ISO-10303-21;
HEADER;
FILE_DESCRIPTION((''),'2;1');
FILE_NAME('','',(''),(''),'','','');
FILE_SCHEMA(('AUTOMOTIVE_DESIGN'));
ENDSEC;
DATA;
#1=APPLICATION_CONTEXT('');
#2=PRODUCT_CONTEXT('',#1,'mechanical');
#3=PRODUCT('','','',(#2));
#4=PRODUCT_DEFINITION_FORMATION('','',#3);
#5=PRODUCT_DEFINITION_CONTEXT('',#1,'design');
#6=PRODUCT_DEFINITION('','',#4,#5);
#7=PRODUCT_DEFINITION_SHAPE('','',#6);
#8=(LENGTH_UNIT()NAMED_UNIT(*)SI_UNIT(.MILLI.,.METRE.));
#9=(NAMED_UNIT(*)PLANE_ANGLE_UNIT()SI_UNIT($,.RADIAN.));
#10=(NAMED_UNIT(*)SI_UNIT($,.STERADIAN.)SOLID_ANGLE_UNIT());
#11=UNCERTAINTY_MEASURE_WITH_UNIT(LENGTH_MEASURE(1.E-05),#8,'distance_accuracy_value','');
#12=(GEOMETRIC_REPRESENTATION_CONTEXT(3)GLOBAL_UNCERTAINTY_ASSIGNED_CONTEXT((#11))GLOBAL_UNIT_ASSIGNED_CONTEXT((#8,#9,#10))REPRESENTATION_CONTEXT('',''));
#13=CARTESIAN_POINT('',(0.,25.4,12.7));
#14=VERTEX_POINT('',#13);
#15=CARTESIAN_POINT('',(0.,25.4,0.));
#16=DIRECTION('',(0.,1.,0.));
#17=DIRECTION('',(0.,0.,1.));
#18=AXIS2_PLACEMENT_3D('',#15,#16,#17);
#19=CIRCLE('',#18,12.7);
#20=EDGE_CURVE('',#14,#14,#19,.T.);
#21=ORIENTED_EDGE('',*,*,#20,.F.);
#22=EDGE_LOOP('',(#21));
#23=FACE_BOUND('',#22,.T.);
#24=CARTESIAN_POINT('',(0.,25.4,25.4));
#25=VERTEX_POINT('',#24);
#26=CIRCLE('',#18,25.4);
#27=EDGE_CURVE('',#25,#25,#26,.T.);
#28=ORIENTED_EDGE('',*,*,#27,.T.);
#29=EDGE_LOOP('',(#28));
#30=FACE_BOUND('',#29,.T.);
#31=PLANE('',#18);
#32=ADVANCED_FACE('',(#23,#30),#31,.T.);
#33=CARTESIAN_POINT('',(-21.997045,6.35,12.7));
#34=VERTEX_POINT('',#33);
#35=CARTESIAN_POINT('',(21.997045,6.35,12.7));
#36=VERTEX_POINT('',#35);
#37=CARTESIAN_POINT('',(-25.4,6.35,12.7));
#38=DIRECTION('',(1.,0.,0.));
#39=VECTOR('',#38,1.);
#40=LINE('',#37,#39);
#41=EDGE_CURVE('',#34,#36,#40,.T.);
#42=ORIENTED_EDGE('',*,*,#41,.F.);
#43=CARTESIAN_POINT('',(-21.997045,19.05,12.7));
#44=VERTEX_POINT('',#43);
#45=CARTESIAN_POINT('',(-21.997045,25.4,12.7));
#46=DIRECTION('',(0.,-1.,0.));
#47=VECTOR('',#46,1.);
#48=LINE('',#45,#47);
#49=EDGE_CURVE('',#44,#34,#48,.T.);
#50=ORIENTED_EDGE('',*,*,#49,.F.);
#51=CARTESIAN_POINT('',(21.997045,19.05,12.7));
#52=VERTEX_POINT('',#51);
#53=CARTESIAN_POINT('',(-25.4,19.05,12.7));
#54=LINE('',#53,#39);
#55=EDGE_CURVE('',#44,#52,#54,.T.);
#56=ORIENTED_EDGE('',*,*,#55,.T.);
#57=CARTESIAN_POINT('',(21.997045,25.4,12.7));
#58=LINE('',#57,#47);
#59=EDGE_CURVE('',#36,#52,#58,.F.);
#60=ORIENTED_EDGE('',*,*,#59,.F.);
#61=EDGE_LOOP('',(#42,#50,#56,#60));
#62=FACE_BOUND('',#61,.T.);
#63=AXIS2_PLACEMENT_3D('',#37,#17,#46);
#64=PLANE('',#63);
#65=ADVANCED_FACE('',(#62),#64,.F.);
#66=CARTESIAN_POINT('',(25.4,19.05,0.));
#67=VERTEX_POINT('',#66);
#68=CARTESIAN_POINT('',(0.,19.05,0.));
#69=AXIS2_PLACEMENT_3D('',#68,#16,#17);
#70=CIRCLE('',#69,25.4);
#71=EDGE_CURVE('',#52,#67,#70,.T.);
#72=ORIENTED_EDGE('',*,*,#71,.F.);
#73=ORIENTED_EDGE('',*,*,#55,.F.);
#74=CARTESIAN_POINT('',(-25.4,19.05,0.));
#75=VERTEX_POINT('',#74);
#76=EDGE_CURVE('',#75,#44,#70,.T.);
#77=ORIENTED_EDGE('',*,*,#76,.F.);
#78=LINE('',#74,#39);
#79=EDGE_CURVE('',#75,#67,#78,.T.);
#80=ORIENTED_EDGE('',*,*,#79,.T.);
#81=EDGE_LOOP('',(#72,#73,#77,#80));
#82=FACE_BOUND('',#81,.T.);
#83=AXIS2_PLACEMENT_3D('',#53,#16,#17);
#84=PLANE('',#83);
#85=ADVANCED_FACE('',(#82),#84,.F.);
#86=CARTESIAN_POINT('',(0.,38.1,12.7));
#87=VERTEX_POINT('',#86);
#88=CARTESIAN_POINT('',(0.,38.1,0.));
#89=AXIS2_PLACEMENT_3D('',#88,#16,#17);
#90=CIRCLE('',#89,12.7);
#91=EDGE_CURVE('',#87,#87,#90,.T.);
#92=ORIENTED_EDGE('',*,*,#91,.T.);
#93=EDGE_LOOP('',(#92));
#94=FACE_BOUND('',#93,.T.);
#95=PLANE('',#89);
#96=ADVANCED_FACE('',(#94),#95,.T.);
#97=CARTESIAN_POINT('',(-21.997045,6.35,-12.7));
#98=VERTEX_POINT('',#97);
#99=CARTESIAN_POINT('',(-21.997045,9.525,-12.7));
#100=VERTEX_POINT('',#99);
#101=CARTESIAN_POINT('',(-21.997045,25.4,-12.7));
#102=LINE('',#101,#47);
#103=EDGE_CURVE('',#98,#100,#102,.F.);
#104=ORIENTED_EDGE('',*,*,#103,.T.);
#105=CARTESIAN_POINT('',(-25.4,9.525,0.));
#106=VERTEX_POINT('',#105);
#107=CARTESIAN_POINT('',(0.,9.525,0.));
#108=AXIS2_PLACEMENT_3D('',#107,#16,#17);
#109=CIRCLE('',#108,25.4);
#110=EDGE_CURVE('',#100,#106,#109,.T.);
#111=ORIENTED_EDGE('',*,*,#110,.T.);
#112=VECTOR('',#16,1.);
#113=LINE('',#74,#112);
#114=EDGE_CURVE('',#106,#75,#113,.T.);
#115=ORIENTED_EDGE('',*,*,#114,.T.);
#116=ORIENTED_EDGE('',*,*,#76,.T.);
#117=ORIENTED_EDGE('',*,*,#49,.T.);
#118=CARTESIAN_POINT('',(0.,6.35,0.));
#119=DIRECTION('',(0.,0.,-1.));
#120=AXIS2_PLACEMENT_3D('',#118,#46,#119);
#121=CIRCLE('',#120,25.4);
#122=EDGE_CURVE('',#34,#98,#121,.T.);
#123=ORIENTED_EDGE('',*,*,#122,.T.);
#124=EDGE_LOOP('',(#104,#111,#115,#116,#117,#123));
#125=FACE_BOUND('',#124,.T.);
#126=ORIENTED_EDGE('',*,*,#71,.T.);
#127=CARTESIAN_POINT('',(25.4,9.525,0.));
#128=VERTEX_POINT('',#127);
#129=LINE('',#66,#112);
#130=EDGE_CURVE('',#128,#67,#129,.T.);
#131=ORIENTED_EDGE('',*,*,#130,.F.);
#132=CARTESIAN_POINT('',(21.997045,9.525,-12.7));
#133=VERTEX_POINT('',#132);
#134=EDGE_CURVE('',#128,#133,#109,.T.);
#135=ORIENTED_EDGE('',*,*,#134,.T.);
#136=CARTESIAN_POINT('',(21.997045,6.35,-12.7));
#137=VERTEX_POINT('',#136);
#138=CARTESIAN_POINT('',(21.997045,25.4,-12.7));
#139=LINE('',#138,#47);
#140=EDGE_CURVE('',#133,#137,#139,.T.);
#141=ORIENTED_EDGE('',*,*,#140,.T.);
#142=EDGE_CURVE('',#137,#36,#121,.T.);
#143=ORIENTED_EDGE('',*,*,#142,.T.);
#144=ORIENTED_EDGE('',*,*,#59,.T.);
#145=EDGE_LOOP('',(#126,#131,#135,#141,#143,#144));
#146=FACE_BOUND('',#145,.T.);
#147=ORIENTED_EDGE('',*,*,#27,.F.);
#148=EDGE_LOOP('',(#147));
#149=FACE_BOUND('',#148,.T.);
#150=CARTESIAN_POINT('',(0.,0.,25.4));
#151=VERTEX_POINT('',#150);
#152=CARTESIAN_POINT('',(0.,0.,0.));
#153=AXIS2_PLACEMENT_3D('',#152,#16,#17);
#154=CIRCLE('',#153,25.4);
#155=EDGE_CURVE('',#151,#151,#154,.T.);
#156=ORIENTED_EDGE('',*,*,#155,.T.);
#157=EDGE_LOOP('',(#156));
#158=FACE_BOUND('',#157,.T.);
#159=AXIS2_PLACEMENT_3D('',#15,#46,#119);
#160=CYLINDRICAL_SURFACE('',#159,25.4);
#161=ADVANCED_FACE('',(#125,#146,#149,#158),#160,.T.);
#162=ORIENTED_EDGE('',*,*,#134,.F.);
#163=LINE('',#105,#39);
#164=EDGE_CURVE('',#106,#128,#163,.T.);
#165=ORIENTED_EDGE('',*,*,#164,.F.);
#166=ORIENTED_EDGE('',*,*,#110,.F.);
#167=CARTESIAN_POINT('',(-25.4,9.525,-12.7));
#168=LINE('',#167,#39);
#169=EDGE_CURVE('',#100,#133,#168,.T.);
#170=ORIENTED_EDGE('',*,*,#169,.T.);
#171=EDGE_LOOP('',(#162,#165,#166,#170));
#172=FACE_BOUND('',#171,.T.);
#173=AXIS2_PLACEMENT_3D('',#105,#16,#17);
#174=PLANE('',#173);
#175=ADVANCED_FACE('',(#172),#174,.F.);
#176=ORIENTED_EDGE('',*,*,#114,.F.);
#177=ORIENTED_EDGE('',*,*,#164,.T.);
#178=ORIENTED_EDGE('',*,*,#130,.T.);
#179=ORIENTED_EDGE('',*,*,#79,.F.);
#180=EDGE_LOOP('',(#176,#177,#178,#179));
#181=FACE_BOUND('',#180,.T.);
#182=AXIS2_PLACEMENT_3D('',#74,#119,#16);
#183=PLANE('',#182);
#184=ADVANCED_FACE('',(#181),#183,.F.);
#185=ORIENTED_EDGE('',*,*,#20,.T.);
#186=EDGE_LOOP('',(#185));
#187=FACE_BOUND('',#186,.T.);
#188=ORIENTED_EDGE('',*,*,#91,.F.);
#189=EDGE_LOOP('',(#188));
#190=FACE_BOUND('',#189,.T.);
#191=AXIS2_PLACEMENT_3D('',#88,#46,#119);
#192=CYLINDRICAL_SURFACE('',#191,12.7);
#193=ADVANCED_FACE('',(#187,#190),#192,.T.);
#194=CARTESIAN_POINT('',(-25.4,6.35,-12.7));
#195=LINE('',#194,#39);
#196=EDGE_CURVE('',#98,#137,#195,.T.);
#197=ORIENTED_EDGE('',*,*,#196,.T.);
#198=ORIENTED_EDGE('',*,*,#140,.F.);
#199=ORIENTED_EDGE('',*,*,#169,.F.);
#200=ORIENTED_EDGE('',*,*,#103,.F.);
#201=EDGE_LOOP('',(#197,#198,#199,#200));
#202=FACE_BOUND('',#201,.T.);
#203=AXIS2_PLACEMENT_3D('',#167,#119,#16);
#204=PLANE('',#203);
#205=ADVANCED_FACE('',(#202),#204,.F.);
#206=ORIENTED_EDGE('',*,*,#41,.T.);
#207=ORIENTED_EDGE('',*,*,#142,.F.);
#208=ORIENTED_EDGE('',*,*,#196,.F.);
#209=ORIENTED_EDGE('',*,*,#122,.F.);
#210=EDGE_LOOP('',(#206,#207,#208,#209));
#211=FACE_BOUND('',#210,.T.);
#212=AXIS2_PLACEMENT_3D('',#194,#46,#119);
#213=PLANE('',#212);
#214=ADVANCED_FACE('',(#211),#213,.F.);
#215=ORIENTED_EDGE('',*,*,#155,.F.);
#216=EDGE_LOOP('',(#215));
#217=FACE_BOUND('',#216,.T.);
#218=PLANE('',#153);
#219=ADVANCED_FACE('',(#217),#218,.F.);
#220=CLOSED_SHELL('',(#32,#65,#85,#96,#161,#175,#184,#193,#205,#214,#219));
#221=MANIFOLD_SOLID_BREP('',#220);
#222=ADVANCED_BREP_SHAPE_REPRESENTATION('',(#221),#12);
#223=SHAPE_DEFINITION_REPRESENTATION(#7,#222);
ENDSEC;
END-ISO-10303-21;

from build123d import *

# Parameters (mm, degrees)
SKETCH3_R               = 25.4
BOSS_EXTRUDE1_DEPTH     = 25.4
SKETCH4_R               = 12.7
BOSS_EXTRUDE2_DEPTH     = 12.7
CUT_EXTRUDE1_DEPTH      = 26.4
CUT_EXTRUDE1_DEPTH_BACK = 26.4


with BuildPart() as part:
    # Sketch3 → Boss-Extrude1 (new body)
    with BuildSketch(Plane(origin=(0, 0, 0), x_dir=(1, 0, 0), z_dir=(0, 1, 0))):
        Circle(SKETCH3_R)
    extrude(amount=BOSS_EXTRUDE1_DEPTH)

    # Sketch4 → Boss-Extrude2 (add)
    with BuildSketch(Plane(origin=(0, 25.4, 0), x_dir=(1, 0, 0), z_dir=(0, 1, 0))):
        Circle(SKETCH4_R)
    extrude(amount=BOSS_EXTRUDE2_DEPTH)

    # Sketch5 → Cut-Extrude1 (cut, two sides)
    with BuildSketch(Plane(origin=(0, 0, 0), x_dir=(0, 0, -1), z_dir=(1, 0, 0))) as cut_extrude1_sk:
        Polygon((12.7, 6.35), (-12.7, 6.35), (-12.7, 19.05), (0, 19.05), (0, 9.525), (12.7, 9.525), align=None)
    extrude(amount=CUT_EXTRUDE1_DEPTH, mode=Mode.SUBTRACT)
    extrude(cut_extrude1_sk.sketch, amount=-CUT_EXTRUDE1_DEPTH_BACK, mode=Mode.SUBTRACT)


solid = part.part
